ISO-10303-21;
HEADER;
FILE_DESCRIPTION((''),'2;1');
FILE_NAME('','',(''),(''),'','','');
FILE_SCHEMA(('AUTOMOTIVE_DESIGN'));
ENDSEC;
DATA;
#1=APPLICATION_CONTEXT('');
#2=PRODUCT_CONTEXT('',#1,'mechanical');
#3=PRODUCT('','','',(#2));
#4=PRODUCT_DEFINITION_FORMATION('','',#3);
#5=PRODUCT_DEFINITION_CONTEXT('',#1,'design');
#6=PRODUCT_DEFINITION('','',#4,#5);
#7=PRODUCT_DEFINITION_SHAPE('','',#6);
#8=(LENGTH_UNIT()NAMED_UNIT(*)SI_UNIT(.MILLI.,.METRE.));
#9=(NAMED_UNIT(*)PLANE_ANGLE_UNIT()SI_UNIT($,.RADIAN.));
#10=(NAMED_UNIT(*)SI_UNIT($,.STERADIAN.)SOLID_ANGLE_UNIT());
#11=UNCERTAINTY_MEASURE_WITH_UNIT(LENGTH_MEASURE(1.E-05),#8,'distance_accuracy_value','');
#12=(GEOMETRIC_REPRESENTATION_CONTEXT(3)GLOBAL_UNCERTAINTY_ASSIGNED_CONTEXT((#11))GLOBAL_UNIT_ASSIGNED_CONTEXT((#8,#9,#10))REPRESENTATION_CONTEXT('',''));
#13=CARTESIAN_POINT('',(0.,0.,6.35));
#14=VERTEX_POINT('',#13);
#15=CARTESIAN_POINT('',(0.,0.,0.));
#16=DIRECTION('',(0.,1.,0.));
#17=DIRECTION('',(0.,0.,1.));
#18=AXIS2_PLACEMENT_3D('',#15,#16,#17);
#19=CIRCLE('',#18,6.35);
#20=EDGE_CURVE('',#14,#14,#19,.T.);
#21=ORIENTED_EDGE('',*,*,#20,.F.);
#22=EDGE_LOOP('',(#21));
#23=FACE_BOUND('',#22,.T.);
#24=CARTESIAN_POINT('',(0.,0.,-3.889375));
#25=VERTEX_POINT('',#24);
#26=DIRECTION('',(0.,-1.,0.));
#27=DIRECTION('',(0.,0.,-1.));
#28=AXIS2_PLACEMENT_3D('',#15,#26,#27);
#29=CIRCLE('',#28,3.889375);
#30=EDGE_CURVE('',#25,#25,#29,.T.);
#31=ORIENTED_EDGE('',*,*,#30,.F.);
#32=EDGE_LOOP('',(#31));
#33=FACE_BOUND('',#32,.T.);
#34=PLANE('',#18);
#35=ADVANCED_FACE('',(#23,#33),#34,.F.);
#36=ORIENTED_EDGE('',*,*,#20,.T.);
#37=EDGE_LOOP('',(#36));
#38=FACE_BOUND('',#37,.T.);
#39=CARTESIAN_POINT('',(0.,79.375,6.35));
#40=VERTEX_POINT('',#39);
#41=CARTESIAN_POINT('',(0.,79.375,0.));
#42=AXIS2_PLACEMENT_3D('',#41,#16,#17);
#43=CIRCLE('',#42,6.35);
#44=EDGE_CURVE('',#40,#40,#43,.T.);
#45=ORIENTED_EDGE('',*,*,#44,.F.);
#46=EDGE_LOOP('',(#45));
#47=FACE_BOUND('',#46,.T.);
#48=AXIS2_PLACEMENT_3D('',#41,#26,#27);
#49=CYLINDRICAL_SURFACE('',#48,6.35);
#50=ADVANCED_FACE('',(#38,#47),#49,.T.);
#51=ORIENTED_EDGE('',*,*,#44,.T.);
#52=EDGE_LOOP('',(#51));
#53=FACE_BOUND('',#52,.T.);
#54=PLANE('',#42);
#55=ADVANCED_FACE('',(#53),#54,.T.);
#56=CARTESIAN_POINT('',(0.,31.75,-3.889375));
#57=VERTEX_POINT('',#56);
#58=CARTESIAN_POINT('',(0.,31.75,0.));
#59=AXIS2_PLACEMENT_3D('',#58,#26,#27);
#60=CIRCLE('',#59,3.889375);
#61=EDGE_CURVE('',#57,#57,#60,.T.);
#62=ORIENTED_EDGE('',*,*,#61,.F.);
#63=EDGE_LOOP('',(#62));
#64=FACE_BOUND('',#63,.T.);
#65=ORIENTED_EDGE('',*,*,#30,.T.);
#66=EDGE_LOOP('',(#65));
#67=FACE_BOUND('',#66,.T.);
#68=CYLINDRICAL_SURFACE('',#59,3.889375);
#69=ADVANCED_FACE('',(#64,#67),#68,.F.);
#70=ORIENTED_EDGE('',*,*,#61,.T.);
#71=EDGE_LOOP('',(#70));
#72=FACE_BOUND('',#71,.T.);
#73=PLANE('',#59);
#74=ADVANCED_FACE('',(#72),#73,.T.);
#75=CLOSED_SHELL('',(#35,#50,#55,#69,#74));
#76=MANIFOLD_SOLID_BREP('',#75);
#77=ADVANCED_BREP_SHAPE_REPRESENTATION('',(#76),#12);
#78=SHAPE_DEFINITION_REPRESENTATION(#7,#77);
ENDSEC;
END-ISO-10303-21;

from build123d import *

# Parameters (mm, degrees)
SKETCH1_R           = 6.35
BOSS_EXTRUDE1_DEPTH = 79.375
SKETCH2_R           = 3.889375
CUT_EXTRUDE1_DEPTH  = 31.75


with BuildPart() as part:
    # Sketch1 → Boss-Extrude1 (new body)
    with BuildSketch(Plane(origin=(0, 0, 0), x_dir=(1, 0, 0), z_dir=(0, 1, 0))):
        Circle(SKETCH1_R)
    extrude(amount=BOSS_EXTRUDE1_DEPTH)

    # Sketch2 → Cut-Extrude1 (cut)
    with BuildSketch(Plane(origin=(0, 0, 0), x_dir=(-1, 0, 0), z_dir=(0, -1, 0))):
        Circle(SKETCH2_R)
    extrude(amount=-CUT_EXTRUDE1_DEPTH, mode=Mode.SUBTRACT)


solid = part.part
